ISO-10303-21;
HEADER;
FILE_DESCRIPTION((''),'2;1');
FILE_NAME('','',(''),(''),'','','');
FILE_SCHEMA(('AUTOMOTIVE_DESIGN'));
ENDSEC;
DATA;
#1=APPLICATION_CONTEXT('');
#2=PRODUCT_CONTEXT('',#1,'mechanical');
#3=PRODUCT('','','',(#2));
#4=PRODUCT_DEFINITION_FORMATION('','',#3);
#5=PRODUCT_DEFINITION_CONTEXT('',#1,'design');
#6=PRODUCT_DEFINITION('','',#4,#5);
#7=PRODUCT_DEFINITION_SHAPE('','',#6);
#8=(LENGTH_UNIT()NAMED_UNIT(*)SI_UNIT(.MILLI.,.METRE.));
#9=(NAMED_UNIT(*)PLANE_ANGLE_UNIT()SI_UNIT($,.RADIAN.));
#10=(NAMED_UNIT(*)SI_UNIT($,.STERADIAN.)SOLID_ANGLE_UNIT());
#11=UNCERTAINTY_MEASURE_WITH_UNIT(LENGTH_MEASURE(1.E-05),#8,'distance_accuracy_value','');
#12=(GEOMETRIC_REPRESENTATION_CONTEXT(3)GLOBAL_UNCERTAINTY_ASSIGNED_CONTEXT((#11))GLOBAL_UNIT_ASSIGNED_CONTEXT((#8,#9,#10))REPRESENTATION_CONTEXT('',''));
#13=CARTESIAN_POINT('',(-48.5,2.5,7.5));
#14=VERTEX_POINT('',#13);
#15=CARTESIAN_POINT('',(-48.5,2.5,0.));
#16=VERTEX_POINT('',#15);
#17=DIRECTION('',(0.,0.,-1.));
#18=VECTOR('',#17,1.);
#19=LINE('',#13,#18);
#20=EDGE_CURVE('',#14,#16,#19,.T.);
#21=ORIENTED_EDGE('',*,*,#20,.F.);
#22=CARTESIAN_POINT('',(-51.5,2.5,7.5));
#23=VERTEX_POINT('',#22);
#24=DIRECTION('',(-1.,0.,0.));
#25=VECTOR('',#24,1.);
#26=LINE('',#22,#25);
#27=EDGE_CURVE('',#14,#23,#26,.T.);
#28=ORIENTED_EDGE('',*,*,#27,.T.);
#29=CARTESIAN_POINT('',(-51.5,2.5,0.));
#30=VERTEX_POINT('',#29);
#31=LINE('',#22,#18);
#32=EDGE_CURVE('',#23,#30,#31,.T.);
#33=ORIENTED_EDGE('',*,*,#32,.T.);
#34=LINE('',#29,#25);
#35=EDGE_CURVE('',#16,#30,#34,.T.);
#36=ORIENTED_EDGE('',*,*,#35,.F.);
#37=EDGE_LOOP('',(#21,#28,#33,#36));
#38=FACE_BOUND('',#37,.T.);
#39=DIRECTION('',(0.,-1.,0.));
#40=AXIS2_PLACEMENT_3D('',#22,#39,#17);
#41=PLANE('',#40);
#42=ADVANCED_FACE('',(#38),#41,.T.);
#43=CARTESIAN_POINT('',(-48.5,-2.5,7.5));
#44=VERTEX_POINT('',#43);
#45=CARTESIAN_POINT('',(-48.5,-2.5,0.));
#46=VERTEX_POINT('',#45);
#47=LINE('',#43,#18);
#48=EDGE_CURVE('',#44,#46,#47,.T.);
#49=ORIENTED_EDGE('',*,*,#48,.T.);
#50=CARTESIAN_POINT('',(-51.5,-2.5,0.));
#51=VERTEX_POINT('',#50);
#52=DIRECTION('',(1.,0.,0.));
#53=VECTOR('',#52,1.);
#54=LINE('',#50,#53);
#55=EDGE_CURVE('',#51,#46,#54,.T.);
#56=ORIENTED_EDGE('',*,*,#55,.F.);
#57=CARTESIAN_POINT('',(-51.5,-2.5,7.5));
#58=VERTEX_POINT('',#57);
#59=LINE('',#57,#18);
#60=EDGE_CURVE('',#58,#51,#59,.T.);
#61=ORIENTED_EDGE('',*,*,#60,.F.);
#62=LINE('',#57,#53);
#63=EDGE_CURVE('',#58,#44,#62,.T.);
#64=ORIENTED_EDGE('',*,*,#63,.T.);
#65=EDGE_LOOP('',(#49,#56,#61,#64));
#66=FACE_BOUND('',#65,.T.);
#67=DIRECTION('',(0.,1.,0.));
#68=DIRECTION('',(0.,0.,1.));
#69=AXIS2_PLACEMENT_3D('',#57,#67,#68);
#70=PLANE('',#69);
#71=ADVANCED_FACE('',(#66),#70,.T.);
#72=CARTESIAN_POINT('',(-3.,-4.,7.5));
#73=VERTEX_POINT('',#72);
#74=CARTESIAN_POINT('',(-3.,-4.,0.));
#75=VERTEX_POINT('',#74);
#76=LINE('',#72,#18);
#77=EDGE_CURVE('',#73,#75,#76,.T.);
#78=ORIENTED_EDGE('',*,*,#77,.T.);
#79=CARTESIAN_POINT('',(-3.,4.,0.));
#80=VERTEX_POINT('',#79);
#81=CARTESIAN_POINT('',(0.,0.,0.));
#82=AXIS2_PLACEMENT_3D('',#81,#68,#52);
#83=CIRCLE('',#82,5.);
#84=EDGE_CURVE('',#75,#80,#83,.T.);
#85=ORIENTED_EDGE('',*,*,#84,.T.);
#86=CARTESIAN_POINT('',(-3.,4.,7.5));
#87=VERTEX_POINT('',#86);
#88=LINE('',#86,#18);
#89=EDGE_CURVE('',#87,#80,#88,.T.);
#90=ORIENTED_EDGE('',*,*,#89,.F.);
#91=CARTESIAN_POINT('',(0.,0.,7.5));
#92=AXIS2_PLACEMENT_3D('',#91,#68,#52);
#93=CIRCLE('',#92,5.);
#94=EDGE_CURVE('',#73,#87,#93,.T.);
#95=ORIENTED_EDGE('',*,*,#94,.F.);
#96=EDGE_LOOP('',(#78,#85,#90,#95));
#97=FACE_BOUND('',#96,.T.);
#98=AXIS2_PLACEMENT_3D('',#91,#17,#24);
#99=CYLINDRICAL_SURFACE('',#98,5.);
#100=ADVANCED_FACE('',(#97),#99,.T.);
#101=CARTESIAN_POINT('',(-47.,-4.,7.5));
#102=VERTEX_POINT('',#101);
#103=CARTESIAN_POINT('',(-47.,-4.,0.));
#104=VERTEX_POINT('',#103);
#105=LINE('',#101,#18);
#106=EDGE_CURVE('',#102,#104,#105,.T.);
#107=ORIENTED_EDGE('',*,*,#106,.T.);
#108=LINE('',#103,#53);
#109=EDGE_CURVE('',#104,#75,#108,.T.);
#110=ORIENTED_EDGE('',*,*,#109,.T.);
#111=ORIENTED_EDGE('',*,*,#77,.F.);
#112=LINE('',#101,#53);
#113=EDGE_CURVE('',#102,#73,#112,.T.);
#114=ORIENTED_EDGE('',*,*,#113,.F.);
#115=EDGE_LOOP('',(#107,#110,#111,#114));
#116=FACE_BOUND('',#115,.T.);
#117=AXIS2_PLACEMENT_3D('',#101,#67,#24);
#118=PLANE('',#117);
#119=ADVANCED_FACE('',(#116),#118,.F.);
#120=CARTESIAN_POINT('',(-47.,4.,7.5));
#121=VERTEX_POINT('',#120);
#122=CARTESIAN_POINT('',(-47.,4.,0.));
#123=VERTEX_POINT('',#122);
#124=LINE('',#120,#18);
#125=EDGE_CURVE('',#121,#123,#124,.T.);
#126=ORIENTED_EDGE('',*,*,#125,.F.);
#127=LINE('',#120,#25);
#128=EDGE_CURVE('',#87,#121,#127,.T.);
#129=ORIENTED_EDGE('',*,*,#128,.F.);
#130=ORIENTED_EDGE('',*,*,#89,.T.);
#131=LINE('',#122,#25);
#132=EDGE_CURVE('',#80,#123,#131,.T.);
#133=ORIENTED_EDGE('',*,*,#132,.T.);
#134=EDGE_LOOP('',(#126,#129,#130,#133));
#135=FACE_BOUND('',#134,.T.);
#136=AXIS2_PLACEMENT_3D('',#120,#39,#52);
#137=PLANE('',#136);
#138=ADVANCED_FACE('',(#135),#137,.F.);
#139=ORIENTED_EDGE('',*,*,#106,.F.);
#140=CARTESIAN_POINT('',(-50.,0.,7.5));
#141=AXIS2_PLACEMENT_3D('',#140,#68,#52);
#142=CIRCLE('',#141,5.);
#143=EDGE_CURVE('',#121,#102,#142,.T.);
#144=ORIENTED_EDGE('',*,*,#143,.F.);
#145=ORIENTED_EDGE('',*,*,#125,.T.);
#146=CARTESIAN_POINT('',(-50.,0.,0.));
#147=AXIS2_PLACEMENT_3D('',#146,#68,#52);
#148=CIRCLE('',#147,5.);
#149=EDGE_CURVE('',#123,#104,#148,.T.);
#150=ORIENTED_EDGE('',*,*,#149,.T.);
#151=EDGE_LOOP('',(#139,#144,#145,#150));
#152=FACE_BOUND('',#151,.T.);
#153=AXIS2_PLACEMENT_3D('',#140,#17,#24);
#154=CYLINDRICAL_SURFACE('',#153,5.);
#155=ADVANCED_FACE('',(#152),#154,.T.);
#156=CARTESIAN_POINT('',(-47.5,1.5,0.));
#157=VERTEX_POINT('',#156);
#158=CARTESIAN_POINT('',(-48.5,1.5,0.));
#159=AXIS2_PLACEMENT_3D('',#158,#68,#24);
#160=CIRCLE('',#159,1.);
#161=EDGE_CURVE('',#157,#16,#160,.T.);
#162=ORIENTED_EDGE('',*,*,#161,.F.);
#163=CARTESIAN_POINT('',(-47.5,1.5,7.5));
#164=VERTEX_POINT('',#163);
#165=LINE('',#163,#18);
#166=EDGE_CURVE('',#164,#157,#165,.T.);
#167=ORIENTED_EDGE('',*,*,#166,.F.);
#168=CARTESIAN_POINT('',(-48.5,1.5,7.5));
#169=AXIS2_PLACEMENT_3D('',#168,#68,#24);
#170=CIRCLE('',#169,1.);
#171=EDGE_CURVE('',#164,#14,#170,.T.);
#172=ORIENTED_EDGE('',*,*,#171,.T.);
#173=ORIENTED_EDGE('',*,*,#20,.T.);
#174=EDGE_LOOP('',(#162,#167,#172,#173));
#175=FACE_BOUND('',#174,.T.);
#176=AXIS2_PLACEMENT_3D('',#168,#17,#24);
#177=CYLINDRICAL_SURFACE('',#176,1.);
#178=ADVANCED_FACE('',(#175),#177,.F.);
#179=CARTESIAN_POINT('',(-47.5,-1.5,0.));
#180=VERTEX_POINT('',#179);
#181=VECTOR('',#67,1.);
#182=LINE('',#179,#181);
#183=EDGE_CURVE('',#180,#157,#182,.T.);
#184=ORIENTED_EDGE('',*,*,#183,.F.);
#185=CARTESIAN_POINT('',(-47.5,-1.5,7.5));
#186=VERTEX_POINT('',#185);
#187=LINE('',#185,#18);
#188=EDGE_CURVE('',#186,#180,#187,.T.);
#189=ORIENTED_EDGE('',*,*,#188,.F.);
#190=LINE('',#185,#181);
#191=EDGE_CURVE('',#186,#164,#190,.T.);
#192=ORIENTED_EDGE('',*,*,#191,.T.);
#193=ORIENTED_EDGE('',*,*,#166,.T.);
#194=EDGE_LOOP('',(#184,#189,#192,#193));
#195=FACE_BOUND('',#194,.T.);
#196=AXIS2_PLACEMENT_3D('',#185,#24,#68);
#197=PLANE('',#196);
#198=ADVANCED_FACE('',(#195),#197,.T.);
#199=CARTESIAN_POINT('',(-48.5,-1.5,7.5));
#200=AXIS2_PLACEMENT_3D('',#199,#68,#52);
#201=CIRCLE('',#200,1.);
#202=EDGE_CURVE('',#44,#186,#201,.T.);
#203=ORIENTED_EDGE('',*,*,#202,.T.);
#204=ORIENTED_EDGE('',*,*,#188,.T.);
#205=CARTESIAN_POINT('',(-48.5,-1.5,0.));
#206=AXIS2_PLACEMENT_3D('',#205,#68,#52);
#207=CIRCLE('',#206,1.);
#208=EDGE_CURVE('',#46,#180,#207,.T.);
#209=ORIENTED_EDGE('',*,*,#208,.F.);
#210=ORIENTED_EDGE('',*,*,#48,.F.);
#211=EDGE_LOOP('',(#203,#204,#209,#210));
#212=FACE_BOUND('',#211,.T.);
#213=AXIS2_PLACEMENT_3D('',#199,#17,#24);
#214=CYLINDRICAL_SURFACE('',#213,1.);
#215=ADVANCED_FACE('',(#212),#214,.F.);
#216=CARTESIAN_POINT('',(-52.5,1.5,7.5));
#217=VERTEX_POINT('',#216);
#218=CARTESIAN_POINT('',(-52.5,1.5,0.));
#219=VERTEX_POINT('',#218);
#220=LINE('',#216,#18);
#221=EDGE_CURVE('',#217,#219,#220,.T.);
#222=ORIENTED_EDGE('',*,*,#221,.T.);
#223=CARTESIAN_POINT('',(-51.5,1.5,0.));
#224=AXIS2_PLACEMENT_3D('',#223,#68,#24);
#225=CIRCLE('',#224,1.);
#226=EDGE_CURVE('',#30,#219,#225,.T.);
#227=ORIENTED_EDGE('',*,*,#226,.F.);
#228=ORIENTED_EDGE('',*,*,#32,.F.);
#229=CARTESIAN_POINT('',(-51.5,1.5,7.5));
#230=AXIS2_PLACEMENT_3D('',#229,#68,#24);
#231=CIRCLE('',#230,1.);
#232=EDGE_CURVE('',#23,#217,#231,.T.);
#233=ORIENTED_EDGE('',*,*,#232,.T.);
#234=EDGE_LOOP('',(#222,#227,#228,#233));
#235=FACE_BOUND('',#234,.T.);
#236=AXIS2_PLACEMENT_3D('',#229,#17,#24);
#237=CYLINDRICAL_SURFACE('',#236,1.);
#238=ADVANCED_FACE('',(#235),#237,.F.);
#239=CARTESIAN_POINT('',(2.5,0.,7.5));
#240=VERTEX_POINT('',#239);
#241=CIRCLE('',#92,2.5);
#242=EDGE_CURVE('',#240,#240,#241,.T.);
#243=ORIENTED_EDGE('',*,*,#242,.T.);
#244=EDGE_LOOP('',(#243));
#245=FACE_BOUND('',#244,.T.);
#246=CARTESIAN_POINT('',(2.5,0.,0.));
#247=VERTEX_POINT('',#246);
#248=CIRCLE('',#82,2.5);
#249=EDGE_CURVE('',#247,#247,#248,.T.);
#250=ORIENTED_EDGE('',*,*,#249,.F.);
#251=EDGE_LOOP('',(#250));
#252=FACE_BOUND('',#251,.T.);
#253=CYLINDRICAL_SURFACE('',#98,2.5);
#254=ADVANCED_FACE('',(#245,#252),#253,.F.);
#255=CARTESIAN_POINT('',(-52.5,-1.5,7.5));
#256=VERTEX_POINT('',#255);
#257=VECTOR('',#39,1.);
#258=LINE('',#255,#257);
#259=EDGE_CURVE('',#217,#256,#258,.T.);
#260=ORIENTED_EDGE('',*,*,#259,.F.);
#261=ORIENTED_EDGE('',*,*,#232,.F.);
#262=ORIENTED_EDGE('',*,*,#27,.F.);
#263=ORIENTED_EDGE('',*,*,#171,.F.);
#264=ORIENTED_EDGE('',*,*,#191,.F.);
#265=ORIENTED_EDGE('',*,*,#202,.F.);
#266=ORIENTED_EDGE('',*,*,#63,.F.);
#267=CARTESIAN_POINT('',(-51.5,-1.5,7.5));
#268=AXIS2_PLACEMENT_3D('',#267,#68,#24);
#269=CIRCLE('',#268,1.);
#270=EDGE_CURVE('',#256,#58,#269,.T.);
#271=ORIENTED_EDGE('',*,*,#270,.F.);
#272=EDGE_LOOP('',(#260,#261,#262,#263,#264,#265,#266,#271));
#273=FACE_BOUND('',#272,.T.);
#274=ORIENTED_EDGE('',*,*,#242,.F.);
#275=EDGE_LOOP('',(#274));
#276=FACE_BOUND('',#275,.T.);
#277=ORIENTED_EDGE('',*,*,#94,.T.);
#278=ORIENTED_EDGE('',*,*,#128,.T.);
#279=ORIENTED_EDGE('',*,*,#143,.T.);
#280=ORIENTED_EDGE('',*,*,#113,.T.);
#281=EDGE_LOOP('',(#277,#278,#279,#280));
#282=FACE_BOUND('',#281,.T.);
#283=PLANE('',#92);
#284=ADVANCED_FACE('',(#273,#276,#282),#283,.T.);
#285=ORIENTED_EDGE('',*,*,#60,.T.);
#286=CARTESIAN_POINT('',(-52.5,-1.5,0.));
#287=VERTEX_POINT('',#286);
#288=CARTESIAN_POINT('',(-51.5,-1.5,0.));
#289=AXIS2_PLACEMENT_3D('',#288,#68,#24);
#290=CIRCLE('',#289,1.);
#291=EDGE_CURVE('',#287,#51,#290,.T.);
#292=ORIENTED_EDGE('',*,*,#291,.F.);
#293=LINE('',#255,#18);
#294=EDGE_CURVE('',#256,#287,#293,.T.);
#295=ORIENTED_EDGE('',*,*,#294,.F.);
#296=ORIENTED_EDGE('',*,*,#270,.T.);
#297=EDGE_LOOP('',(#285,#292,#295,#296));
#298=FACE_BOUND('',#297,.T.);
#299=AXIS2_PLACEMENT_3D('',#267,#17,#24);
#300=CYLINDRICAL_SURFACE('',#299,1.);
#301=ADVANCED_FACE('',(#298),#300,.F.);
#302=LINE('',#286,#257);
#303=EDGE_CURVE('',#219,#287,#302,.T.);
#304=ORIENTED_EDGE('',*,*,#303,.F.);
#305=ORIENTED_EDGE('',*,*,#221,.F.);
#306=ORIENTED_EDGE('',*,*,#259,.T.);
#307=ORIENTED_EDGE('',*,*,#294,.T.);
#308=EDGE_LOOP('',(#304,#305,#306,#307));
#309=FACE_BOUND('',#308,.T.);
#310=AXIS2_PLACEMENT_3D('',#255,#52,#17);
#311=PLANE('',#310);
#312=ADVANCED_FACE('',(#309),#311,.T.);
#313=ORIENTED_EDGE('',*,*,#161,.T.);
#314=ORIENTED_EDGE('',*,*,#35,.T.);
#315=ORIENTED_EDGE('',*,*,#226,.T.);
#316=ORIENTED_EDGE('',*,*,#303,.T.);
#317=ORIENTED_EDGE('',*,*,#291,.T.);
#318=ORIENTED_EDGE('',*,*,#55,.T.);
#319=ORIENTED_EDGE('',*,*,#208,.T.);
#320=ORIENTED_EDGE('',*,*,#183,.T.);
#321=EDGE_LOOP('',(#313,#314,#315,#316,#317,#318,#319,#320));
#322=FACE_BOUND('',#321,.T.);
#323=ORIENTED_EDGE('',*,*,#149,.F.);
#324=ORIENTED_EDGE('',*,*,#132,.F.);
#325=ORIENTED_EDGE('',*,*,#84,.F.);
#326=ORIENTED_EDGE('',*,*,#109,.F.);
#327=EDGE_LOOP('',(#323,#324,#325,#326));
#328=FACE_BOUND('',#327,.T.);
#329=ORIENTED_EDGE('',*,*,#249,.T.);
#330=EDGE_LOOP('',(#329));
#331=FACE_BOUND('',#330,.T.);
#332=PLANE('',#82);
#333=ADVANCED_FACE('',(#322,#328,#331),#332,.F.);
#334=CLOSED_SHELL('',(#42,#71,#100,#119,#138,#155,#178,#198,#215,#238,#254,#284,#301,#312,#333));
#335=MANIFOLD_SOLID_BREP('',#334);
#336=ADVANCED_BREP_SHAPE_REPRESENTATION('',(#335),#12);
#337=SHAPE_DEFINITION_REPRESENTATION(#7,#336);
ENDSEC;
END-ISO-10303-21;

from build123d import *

# Parameters (mm, degrees)
SKETCH1_R           = 2.5
BOSS_EXTRUDE1_DEPTH = 7.5


with BuildPart() as part:
    # Sketch1 → Boss-Extrude1 (new body)
    with BuildSketch(Plane.XY):
        with BuildLine():
            Line((-47, 4), (-3, 4))
            ThreePointArc((-3, 4), (5, 0), (-3, -4))
            Line((-3, -4), (-47, -4))
            ThreePointArc((-47, -4), (-55, 0), (-47, 4))
        make_face()
        Circle(SKETCH1_R, mode=Mode.SUBTRACT)
        with BuildLine():
            Line((-51.5, -2.5), (-48.5, -2.5))
            ThreePointArc((-48.5, -2.5), (-47.792893219, -2.207106781), (-47.5, -1.5))
            Line((-47.5, -1.5), (-47.5, 1.5))
            ThreePointArc((-47.5, 1.5), (-47.792893219, 2.207106781), (-48.5, 2.5))
            Line((-48.5, 2.5), (-51.5, 2.5))
            ThreePointArc((-51.5, 2.5), (-52.207106781, 2.207106781), (-52.5, 1.5))
            Line((-52.5, 1.5), (-52.5, -1.5))
            ThreePointArc((-52.5, -1.5), (-52.207106781, -2.207106781), (-51.5, -2.5))
        make_face(mode=Mode.SUBTRACT)
    extrude(amount=BOSS_EXTRUDE1_DEPTH)


solid = part.part
